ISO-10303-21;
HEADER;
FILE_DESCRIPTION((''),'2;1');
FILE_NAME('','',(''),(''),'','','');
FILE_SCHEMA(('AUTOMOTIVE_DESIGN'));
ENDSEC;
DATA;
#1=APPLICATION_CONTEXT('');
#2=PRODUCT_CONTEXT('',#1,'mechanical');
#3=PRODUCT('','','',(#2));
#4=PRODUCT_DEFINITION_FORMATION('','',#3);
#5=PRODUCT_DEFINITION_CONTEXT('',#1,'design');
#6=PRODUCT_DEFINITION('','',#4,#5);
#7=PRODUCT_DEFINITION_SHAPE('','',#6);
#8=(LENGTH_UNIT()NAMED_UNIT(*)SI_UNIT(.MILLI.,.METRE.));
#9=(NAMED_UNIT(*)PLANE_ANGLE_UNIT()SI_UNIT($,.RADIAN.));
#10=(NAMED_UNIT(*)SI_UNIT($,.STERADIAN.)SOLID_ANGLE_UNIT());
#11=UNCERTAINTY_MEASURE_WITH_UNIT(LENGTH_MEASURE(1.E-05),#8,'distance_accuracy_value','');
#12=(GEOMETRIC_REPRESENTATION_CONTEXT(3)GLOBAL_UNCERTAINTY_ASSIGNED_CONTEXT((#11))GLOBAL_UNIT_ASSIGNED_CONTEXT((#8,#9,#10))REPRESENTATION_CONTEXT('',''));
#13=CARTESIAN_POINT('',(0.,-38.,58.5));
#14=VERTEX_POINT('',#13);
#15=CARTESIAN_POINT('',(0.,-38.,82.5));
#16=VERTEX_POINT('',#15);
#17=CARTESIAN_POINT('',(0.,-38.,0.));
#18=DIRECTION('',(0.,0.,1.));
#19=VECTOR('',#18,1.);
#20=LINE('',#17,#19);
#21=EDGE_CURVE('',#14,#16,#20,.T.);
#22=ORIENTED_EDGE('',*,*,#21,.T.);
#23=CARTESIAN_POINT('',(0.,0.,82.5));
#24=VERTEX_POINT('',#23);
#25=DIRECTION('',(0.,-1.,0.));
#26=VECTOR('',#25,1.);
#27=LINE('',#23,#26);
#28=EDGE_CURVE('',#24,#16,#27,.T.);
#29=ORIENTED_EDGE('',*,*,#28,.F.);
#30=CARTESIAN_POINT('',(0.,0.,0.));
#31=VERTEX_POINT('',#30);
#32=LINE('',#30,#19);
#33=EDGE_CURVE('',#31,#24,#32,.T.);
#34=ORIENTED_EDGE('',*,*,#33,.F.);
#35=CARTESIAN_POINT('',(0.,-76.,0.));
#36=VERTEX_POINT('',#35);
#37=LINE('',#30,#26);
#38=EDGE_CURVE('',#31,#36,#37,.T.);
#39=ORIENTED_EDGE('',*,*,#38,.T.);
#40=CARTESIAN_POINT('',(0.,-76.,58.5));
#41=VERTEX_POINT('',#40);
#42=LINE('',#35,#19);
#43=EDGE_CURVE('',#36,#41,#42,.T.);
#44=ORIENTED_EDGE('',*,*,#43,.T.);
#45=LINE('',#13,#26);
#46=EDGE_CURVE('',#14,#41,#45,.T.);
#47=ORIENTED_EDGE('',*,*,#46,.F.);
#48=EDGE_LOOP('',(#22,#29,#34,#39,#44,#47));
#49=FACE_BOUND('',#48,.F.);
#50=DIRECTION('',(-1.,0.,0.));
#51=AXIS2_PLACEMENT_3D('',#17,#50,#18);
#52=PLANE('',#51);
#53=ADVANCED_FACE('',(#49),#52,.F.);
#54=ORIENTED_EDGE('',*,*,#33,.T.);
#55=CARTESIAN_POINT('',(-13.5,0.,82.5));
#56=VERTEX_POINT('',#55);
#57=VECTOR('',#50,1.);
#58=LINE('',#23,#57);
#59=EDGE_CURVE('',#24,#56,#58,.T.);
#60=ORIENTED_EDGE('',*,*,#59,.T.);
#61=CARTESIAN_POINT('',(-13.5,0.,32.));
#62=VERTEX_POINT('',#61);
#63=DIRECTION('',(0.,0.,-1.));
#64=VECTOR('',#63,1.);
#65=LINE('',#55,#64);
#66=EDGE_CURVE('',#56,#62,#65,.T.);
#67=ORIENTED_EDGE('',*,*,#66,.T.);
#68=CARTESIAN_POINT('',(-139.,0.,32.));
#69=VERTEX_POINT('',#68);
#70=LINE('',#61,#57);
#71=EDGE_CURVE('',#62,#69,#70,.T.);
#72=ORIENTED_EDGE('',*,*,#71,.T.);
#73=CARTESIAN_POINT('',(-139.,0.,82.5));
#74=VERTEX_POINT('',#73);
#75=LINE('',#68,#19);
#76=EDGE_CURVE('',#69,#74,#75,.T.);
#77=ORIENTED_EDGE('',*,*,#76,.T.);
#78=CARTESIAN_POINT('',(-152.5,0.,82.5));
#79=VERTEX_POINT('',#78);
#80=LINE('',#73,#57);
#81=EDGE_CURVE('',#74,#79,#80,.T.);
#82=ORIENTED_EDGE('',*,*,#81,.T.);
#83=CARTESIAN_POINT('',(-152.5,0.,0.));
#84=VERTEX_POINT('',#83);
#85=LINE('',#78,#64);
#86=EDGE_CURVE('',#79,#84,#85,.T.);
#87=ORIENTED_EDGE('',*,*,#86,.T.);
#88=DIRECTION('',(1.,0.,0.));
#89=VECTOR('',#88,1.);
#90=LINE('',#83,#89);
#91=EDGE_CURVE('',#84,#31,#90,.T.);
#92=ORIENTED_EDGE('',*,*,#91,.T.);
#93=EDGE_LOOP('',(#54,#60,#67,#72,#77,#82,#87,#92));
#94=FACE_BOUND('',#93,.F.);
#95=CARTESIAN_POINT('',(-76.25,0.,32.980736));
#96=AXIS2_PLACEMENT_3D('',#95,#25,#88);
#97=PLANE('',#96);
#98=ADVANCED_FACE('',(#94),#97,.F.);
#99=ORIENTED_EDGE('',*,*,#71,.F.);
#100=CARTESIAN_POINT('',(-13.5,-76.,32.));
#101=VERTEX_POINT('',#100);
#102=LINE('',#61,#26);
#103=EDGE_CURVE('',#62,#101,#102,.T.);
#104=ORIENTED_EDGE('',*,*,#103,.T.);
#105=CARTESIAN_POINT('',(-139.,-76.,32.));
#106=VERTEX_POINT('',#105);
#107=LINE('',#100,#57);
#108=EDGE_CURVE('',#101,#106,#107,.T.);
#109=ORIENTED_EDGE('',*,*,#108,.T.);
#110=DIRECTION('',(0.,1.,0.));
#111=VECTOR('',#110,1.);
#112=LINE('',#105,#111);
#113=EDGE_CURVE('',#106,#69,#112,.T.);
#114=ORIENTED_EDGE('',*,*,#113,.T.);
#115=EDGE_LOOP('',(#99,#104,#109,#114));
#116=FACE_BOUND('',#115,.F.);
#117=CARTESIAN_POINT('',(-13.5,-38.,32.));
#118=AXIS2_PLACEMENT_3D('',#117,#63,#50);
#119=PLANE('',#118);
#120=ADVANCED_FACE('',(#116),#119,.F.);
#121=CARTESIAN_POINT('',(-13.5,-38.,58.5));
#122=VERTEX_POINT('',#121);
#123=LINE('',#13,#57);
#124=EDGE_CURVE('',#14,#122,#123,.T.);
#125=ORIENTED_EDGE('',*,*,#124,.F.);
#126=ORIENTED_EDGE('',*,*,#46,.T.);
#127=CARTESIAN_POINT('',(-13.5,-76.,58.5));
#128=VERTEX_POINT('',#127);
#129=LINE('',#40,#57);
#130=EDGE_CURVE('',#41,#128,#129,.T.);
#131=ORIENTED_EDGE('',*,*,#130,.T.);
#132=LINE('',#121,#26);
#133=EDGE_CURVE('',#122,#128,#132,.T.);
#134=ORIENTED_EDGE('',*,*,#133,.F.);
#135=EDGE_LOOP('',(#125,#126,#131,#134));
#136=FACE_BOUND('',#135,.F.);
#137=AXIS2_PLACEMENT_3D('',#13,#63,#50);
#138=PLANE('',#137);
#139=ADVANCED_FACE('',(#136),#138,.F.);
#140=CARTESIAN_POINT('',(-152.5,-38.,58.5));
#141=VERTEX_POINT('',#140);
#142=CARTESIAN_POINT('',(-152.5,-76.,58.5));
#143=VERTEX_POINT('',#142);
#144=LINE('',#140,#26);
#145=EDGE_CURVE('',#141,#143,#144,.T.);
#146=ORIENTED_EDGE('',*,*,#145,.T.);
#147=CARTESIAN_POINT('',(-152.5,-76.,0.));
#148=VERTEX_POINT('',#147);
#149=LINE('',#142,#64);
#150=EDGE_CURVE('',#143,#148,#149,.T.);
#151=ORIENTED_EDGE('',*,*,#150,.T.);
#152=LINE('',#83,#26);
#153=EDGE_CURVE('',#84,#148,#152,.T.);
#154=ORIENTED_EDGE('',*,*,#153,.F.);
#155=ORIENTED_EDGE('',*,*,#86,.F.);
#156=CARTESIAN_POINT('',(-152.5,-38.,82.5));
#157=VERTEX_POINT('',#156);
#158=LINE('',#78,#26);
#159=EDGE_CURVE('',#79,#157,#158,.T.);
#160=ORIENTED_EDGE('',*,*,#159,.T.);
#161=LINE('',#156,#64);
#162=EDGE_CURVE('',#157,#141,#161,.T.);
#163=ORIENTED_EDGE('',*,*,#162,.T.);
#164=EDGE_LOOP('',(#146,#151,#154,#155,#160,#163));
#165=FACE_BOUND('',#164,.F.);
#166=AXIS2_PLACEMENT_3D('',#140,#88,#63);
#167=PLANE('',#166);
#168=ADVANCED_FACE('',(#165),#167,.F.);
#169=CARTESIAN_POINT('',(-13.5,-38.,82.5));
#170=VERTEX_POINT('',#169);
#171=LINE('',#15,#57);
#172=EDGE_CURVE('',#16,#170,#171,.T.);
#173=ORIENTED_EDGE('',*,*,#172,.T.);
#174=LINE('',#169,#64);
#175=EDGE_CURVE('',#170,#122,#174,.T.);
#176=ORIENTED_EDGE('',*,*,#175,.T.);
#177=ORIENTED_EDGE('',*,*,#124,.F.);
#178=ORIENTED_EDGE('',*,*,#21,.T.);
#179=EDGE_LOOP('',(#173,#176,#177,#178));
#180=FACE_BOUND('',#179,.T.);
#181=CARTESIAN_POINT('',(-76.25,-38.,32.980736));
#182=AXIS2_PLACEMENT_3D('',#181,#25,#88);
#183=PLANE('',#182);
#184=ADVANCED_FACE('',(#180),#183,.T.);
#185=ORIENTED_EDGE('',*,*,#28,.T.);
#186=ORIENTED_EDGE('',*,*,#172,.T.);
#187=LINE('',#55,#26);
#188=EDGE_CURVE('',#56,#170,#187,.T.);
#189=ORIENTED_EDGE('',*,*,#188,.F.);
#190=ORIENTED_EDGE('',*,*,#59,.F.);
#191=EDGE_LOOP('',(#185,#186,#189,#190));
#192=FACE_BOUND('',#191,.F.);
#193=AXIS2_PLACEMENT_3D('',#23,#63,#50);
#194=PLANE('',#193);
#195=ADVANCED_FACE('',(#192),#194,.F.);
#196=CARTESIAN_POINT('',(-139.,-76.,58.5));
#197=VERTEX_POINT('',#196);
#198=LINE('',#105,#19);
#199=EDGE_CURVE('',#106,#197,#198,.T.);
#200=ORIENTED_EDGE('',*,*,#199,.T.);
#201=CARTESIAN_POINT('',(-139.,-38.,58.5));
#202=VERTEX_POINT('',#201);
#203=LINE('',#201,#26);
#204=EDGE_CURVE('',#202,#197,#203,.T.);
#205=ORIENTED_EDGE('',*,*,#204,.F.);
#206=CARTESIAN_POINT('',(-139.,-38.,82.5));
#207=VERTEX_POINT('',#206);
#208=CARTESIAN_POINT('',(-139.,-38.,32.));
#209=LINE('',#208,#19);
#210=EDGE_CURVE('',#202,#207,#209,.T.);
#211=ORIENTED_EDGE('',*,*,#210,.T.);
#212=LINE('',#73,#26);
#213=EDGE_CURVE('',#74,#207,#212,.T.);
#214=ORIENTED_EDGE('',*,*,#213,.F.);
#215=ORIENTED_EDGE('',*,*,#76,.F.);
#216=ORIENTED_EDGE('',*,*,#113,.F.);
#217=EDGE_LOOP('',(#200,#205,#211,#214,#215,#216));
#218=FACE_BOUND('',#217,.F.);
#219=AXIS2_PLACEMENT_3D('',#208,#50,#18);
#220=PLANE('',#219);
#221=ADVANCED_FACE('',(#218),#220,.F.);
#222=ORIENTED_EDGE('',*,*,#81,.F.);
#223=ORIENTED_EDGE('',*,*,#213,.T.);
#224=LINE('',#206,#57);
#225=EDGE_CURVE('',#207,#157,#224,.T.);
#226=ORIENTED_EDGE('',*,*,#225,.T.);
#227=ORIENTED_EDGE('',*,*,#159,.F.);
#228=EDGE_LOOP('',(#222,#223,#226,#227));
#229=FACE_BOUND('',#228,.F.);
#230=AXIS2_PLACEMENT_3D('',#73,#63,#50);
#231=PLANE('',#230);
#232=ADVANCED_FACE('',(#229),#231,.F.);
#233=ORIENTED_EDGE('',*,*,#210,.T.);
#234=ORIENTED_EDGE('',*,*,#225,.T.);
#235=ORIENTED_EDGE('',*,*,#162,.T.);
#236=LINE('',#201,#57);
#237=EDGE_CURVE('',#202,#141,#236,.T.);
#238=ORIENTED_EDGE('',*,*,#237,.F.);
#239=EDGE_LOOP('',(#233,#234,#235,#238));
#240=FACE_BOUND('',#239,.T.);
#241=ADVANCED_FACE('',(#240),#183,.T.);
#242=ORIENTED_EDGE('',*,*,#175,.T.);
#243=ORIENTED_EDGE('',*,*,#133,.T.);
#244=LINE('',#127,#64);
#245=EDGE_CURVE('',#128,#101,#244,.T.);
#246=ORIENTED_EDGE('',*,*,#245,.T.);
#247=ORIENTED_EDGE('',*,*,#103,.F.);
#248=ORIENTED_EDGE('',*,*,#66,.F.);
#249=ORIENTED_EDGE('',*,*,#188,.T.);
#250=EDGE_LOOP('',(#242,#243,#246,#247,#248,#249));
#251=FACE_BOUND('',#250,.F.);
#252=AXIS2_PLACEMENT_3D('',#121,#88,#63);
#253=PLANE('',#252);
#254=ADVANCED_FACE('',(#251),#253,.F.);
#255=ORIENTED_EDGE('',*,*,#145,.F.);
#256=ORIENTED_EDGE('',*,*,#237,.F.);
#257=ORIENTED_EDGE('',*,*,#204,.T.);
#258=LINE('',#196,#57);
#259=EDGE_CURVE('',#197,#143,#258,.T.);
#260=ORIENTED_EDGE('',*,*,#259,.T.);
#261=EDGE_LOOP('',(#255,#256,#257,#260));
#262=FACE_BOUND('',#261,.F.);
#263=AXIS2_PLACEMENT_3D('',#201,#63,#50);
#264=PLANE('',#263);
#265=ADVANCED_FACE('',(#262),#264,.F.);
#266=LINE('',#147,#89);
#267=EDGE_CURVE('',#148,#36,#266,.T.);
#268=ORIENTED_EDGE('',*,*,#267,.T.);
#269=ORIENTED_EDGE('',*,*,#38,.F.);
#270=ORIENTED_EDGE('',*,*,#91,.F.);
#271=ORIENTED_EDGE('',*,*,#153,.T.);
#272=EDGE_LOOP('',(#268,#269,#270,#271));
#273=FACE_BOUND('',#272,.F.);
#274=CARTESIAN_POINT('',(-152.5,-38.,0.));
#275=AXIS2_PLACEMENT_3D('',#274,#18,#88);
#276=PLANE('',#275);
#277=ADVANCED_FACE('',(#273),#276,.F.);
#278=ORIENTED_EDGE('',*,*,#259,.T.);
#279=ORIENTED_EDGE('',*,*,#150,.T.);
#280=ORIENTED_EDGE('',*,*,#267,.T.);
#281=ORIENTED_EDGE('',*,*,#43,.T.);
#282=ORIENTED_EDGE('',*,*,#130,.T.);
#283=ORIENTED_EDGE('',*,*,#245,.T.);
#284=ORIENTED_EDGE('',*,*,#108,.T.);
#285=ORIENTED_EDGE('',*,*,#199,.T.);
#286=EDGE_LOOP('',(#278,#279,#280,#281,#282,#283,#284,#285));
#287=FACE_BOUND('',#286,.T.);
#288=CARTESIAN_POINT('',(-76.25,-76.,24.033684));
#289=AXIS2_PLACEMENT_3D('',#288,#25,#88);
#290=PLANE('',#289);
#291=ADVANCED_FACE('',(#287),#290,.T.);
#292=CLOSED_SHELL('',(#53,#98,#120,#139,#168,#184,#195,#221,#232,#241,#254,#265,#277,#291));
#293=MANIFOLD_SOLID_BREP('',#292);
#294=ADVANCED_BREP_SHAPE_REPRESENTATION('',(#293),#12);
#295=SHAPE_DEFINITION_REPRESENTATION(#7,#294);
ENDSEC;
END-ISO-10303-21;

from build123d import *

# Parameters (mm, degrees)
F1_DEPTH = 38
F3_DEPTH = 38


with BuildPart() as f1:
    # F0 (on Front) → F1 (new body)
    with BuildSketch(Plane.XZ):
        Polygon((-152.5, 0), (0, 0), (0, 82.5), (-13.5, 82.5), (-13.5, 32), (-139, 32), (-139, 82.5), (-152.5, 82.5), align=None)
    extrude(amount=F1_DEPTH)

    # F2 (on face) → F3 (join)
    with BuildSketch(Plane.XZ.offset(38)):
        Polygon((-152.5, 58.5), (-152.5, 0), (0, 0), (0, 58.5), (-13.5, 58.5), (-13.5, 32), (-139, 32), (-139, 58.5), align=None)
    extrude(amount=F3_DEPTH)


solid = f1.part
